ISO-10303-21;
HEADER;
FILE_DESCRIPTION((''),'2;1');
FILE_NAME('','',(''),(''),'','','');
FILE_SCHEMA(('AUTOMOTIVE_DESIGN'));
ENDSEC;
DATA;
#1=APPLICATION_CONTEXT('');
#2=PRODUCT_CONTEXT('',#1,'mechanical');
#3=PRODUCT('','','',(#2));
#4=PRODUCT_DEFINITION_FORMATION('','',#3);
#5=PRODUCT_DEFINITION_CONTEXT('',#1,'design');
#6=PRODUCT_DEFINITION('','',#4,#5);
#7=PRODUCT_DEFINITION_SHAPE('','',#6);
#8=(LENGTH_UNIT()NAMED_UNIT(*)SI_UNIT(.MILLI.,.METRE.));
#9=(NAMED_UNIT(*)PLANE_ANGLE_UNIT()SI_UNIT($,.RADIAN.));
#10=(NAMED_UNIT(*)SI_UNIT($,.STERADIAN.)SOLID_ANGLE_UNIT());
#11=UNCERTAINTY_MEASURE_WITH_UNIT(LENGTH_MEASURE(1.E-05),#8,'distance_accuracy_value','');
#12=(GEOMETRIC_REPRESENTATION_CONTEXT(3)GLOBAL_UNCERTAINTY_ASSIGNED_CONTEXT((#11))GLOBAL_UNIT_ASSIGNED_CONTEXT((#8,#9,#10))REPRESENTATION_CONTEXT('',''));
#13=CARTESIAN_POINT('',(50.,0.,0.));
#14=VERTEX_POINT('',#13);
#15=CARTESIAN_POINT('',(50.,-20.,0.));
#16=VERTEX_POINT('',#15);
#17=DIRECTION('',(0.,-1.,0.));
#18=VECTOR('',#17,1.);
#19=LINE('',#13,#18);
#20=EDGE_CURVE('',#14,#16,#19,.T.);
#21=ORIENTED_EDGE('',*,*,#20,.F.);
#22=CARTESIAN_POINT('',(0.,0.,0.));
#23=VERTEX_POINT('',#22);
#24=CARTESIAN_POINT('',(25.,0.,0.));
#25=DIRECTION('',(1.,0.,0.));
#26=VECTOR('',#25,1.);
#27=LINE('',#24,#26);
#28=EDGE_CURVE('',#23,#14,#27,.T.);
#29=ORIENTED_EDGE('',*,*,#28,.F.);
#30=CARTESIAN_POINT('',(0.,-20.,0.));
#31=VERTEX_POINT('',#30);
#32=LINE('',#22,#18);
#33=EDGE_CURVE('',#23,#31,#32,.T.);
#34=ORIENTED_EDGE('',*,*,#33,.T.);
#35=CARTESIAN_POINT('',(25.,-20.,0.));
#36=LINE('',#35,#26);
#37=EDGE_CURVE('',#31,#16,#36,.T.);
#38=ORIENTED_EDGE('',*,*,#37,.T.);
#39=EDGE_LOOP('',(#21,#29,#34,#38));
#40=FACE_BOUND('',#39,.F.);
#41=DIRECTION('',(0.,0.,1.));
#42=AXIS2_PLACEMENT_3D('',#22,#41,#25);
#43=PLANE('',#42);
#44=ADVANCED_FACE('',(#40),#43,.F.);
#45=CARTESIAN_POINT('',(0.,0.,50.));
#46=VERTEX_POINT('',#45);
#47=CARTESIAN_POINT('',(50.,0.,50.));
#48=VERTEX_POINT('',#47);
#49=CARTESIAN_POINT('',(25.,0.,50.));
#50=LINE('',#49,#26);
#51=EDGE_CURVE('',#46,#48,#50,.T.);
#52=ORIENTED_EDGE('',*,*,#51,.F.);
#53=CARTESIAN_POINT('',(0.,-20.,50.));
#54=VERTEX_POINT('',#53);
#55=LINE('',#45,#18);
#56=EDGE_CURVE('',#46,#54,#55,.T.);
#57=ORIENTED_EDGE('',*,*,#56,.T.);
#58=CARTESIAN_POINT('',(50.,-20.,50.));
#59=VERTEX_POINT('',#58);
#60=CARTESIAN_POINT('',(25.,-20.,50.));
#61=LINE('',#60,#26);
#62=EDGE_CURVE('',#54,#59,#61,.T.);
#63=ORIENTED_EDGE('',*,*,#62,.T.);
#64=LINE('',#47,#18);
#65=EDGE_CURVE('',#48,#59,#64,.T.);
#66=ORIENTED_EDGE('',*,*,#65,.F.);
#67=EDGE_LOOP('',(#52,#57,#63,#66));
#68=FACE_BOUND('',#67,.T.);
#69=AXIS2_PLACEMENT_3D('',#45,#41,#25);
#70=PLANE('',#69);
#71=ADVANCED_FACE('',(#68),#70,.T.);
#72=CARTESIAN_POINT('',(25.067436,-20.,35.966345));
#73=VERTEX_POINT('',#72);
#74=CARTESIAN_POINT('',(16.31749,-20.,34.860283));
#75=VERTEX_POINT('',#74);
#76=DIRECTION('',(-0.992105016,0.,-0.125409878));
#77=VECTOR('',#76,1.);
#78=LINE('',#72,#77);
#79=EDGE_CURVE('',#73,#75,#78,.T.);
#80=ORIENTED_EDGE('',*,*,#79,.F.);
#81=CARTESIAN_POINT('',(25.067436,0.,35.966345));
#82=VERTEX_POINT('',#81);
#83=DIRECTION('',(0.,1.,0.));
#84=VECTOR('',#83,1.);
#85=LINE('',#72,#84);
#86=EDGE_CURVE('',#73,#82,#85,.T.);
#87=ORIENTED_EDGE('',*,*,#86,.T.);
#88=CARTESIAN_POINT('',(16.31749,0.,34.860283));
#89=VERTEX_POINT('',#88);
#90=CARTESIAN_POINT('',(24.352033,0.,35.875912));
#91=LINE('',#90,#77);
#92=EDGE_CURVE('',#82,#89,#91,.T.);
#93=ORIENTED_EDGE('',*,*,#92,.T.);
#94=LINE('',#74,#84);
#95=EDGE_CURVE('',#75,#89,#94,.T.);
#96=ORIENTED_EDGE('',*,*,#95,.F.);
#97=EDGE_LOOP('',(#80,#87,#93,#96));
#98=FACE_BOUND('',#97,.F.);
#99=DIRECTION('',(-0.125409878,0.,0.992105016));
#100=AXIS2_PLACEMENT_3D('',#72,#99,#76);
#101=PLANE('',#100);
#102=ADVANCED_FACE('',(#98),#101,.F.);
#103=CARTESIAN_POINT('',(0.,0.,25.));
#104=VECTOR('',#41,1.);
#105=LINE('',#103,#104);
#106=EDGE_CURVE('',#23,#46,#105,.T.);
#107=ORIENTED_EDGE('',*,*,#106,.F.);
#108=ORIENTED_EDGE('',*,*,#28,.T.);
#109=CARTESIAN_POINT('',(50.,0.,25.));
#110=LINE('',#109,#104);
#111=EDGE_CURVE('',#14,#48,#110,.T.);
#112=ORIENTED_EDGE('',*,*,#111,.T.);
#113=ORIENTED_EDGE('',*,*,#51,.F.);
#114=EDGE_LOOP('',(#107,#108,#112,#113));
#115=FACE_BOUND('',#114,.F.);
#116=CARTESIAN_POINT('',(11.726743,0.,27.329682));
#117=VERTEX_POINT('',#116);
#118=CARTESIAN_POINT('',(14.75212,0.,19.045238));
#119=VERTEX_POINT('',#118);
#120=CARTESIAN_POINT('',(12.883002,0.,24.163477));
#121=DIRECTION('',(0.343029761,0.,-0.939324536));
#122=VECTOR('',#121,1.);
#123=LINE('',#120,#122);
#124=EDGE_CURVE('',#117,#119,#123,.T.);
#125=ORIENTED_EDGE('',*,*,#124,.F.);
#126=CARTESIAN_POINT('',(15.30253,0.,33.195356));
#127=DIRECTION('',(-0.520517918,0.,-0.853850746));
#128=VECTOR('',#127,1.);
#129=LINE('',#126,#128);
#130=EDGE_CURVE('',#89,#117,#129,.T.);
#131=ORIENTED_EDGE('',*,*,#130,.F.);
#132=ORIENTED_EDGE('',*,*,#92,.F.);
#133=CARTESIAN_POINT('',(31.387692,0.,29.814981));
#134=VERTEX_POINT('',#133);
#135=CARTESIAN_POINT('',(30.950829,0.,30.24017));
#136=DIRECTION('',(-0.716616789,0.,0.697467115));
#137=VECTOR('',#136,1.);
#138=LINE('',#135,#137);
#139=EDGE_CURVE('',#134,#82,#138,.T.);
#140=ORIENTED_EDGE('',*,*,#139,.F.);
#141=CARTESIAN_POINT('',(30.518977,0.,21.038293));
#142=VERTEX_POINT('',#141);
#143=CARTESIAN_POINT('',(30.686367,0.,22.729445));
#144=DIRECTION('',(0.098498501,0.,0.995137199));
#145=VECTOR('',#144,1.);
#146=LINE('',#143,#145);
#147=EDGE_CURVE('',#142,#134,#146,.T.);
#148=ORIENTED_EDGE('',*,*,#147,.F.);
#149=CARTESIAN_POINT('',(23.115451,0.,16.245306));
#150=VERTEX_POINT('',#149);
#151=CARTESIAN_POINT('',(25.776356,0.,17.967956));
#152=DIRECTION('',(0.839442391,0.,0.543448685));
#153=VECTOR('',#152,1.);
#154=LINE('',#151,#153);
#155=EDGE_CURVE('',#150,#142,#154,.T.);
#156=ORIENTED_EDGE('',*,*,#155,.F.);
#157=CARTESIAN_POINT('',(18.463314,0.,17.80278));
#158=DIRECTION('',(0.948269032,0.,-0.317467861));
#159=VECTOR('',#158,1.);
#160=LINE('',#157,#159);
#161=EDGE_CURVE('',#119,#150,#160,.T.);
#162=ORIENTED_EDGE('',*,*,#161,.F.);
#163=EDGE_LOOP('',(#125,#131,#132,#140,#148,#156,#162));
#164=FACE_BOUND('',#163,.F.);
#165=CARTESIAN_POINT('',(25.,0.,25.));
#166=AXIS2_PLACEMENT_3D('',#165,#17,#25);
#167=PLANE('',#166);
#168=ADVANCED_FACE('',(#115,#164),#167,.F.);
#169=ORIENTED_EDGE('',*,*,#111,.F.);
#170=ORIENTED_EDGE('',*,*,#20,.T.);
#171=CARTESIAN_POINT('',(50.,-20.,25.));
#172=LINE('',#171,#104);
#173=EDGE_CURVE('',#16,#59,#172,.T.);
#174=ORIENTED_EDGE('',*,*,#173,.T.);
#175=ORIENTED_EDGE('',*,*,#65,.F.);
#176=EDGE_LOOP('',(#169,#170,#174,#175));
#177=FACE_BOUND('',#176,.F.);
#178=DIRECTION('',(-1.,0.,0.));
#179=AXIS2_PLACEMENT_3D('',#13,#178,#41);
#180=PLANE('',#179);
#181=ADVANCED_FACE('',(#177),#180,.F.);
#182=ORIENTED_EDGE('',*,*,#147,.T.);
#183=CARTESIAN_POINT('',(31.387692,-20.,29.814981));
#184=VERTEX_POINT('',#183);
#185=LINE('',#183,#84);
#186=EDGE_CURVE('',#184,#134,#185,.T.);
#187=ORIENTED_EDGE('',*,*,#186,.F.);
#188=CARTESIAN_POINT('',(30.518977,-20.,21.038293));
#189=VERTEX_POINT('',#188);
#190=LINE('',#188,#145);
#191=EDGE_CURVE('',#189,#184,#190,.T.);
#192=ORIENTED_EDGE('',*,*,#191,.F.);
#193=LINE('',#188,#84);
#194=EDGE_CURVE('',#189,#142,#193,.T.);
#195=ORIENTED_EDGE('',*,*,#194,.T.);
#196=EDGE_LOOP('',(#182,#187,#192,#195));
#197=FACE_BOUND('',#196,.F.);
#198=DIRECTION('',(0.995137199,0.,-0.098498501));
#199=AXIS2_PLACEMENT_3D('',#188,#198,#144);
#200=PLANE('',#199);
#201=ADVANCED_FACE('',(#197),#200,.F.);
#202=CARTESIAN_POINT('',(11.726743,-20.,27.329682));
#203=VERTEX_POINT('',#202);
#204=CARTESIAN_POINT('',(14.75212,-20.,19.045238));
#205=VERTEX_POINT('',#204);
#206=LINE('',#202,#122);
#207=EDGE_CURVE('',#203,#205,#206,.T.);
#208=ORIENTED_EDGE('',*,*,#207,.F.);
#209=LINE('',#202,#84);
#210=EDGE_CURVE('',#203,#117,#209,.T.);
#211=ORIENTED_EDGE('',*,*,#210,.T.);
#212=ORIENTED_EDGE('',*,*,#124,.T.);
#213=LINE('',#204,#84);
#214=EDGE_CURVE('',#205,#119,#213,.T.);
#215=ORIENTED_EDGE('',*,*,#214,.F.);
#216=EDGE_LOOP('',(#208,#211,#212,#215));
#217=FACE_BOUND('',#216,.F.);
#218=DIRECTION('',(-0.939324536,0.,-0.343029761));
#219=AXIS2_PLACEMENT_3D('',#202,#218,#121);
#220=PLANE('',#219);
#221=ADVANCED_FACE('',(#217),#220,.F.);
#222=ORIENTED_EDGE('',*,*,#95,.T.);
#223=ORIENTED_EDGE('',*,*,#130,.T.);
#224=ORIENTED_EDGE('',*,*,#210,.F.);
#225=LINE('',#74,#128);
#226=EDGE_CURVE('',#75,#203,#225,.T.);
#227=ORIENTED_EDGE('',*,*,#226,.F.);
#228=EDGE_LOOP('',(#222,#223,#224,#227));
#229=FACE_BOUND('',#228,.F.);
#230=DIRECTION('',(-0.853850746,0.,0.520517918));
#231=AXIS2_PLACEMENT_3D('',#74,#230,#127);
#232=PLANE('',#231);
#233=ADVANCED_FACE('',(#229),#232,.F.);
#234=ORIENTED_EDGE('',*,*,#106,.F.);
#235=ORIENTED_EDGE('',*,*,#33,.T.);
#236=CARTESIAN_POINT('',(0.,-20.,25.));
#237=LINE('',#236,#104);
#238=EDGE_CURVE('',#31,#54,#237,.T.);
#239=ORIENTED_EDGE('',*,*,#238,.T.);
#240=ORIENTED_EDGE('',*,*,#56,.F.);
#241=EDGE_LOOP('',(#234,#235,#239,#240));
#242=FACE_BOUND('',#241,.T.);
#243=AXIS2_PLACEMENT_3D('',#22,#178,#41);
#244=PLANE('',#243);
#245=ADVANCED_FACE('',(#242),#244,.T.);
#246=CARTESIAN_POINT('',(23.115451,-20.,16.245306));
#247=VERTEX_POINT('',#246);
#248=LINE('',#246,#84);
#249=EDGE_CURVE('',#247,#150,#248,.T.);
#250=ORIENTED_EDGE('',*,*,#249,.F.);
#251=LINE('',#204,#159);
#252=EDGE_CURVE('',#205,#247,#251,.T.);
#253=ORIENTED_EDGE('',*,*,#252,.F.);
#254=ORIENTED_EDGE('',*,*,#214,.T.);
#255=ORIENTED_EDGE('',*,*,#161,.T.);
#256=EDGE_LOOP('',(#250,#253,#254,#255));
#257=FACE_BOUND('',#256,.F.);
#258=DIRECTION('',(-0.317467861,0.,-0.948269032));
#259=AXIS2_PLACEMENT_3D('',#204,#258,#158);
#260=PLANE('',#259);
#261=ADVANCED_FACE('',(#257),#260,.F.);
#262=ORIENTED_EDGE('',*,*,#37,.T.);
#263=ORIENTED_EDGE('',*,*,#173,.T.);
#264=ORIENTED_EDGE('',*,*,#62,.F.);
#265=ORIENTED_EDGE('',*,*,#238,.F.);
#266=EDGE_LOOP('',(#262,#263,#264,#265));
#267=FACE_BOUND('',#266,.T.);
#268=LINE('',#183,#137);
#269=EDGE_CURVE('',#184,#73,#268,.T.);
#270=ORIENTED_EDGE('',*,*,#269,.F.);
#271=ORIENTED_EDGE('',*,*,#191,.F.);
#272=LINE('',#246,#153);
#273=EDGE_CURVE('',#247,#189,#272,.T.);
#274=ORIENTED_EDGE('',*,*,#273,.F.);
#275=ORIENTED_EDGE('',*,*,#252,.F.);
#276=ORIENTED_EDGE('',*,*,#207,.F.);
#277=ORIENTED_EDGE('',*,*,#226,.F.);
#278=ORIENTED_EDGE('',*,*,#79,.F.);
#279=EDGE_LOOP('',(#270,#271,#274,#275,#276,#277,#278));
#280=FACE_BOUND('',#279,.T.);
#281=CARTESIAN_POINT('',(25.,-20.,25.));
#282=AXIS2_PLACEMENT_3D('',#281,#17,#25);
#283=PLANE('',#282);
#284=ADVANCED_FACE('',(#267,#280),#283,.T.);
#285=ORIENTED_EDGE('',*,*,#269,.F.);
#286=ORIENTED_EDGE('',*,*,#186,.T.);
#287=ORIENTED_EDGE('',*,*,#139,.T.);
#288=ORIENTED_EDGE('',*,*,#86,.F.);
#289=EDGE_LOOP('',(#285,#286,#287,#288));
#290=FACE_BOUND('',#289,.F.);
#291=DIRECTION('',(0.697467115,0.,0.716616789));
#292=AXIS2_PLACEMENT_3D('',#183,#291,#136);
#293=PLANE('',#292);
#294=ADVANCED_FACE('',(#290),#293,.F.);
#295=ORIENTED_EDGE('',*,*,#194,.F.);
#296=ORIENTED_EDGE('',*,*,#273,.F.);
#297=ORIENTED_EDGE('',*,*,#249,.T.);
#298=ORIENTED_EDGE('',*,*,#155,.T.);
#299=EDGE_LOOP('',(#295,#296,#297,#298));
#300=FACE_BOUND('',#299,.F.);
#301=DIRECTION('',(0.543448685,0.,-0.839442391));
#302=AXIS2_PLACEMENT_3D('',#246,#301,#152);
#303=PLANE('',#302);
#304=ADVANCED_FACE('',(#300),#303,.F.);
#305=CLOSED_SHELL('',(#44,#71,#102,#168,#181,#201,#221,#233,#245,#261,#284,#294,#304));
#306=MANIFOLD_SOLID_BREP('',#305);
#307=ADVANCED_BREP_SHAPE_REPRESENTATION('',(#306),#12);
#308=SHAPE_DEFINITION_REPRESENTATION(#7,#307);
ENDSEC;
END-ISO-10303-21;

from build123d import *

# Parameters (mm, degrees)
F0_W     = 50
F0_H     = 50
F1_DEPTH = 20
F3_DEPTH = 44.2


with BuildPart() as f1:
    # F0 (on Front) → F1 (new body)
    with BuildSketch(Plane.XZ):
        with Locations((25, 25)):
            Rectangle(F0_W, F0_H)
    extrude(amount=F1_DEPTH)

    # F2 (on face) → F3 (cut)
    with BuildSketch(Plane.XZ.offset(20)):
        Polygon((25.067436, 35.966345), (16.31749, 34.860283), (11.726743, 27.329682), (14.75212, 19.045238), (23.115451, 16.245306), (30.518977, 21.038293), (31.387692, 29.814981), align=None)
    extrude(amount=-F3_DEPTH, mode=Mode.SUBTRACT)


solid = f1.part
